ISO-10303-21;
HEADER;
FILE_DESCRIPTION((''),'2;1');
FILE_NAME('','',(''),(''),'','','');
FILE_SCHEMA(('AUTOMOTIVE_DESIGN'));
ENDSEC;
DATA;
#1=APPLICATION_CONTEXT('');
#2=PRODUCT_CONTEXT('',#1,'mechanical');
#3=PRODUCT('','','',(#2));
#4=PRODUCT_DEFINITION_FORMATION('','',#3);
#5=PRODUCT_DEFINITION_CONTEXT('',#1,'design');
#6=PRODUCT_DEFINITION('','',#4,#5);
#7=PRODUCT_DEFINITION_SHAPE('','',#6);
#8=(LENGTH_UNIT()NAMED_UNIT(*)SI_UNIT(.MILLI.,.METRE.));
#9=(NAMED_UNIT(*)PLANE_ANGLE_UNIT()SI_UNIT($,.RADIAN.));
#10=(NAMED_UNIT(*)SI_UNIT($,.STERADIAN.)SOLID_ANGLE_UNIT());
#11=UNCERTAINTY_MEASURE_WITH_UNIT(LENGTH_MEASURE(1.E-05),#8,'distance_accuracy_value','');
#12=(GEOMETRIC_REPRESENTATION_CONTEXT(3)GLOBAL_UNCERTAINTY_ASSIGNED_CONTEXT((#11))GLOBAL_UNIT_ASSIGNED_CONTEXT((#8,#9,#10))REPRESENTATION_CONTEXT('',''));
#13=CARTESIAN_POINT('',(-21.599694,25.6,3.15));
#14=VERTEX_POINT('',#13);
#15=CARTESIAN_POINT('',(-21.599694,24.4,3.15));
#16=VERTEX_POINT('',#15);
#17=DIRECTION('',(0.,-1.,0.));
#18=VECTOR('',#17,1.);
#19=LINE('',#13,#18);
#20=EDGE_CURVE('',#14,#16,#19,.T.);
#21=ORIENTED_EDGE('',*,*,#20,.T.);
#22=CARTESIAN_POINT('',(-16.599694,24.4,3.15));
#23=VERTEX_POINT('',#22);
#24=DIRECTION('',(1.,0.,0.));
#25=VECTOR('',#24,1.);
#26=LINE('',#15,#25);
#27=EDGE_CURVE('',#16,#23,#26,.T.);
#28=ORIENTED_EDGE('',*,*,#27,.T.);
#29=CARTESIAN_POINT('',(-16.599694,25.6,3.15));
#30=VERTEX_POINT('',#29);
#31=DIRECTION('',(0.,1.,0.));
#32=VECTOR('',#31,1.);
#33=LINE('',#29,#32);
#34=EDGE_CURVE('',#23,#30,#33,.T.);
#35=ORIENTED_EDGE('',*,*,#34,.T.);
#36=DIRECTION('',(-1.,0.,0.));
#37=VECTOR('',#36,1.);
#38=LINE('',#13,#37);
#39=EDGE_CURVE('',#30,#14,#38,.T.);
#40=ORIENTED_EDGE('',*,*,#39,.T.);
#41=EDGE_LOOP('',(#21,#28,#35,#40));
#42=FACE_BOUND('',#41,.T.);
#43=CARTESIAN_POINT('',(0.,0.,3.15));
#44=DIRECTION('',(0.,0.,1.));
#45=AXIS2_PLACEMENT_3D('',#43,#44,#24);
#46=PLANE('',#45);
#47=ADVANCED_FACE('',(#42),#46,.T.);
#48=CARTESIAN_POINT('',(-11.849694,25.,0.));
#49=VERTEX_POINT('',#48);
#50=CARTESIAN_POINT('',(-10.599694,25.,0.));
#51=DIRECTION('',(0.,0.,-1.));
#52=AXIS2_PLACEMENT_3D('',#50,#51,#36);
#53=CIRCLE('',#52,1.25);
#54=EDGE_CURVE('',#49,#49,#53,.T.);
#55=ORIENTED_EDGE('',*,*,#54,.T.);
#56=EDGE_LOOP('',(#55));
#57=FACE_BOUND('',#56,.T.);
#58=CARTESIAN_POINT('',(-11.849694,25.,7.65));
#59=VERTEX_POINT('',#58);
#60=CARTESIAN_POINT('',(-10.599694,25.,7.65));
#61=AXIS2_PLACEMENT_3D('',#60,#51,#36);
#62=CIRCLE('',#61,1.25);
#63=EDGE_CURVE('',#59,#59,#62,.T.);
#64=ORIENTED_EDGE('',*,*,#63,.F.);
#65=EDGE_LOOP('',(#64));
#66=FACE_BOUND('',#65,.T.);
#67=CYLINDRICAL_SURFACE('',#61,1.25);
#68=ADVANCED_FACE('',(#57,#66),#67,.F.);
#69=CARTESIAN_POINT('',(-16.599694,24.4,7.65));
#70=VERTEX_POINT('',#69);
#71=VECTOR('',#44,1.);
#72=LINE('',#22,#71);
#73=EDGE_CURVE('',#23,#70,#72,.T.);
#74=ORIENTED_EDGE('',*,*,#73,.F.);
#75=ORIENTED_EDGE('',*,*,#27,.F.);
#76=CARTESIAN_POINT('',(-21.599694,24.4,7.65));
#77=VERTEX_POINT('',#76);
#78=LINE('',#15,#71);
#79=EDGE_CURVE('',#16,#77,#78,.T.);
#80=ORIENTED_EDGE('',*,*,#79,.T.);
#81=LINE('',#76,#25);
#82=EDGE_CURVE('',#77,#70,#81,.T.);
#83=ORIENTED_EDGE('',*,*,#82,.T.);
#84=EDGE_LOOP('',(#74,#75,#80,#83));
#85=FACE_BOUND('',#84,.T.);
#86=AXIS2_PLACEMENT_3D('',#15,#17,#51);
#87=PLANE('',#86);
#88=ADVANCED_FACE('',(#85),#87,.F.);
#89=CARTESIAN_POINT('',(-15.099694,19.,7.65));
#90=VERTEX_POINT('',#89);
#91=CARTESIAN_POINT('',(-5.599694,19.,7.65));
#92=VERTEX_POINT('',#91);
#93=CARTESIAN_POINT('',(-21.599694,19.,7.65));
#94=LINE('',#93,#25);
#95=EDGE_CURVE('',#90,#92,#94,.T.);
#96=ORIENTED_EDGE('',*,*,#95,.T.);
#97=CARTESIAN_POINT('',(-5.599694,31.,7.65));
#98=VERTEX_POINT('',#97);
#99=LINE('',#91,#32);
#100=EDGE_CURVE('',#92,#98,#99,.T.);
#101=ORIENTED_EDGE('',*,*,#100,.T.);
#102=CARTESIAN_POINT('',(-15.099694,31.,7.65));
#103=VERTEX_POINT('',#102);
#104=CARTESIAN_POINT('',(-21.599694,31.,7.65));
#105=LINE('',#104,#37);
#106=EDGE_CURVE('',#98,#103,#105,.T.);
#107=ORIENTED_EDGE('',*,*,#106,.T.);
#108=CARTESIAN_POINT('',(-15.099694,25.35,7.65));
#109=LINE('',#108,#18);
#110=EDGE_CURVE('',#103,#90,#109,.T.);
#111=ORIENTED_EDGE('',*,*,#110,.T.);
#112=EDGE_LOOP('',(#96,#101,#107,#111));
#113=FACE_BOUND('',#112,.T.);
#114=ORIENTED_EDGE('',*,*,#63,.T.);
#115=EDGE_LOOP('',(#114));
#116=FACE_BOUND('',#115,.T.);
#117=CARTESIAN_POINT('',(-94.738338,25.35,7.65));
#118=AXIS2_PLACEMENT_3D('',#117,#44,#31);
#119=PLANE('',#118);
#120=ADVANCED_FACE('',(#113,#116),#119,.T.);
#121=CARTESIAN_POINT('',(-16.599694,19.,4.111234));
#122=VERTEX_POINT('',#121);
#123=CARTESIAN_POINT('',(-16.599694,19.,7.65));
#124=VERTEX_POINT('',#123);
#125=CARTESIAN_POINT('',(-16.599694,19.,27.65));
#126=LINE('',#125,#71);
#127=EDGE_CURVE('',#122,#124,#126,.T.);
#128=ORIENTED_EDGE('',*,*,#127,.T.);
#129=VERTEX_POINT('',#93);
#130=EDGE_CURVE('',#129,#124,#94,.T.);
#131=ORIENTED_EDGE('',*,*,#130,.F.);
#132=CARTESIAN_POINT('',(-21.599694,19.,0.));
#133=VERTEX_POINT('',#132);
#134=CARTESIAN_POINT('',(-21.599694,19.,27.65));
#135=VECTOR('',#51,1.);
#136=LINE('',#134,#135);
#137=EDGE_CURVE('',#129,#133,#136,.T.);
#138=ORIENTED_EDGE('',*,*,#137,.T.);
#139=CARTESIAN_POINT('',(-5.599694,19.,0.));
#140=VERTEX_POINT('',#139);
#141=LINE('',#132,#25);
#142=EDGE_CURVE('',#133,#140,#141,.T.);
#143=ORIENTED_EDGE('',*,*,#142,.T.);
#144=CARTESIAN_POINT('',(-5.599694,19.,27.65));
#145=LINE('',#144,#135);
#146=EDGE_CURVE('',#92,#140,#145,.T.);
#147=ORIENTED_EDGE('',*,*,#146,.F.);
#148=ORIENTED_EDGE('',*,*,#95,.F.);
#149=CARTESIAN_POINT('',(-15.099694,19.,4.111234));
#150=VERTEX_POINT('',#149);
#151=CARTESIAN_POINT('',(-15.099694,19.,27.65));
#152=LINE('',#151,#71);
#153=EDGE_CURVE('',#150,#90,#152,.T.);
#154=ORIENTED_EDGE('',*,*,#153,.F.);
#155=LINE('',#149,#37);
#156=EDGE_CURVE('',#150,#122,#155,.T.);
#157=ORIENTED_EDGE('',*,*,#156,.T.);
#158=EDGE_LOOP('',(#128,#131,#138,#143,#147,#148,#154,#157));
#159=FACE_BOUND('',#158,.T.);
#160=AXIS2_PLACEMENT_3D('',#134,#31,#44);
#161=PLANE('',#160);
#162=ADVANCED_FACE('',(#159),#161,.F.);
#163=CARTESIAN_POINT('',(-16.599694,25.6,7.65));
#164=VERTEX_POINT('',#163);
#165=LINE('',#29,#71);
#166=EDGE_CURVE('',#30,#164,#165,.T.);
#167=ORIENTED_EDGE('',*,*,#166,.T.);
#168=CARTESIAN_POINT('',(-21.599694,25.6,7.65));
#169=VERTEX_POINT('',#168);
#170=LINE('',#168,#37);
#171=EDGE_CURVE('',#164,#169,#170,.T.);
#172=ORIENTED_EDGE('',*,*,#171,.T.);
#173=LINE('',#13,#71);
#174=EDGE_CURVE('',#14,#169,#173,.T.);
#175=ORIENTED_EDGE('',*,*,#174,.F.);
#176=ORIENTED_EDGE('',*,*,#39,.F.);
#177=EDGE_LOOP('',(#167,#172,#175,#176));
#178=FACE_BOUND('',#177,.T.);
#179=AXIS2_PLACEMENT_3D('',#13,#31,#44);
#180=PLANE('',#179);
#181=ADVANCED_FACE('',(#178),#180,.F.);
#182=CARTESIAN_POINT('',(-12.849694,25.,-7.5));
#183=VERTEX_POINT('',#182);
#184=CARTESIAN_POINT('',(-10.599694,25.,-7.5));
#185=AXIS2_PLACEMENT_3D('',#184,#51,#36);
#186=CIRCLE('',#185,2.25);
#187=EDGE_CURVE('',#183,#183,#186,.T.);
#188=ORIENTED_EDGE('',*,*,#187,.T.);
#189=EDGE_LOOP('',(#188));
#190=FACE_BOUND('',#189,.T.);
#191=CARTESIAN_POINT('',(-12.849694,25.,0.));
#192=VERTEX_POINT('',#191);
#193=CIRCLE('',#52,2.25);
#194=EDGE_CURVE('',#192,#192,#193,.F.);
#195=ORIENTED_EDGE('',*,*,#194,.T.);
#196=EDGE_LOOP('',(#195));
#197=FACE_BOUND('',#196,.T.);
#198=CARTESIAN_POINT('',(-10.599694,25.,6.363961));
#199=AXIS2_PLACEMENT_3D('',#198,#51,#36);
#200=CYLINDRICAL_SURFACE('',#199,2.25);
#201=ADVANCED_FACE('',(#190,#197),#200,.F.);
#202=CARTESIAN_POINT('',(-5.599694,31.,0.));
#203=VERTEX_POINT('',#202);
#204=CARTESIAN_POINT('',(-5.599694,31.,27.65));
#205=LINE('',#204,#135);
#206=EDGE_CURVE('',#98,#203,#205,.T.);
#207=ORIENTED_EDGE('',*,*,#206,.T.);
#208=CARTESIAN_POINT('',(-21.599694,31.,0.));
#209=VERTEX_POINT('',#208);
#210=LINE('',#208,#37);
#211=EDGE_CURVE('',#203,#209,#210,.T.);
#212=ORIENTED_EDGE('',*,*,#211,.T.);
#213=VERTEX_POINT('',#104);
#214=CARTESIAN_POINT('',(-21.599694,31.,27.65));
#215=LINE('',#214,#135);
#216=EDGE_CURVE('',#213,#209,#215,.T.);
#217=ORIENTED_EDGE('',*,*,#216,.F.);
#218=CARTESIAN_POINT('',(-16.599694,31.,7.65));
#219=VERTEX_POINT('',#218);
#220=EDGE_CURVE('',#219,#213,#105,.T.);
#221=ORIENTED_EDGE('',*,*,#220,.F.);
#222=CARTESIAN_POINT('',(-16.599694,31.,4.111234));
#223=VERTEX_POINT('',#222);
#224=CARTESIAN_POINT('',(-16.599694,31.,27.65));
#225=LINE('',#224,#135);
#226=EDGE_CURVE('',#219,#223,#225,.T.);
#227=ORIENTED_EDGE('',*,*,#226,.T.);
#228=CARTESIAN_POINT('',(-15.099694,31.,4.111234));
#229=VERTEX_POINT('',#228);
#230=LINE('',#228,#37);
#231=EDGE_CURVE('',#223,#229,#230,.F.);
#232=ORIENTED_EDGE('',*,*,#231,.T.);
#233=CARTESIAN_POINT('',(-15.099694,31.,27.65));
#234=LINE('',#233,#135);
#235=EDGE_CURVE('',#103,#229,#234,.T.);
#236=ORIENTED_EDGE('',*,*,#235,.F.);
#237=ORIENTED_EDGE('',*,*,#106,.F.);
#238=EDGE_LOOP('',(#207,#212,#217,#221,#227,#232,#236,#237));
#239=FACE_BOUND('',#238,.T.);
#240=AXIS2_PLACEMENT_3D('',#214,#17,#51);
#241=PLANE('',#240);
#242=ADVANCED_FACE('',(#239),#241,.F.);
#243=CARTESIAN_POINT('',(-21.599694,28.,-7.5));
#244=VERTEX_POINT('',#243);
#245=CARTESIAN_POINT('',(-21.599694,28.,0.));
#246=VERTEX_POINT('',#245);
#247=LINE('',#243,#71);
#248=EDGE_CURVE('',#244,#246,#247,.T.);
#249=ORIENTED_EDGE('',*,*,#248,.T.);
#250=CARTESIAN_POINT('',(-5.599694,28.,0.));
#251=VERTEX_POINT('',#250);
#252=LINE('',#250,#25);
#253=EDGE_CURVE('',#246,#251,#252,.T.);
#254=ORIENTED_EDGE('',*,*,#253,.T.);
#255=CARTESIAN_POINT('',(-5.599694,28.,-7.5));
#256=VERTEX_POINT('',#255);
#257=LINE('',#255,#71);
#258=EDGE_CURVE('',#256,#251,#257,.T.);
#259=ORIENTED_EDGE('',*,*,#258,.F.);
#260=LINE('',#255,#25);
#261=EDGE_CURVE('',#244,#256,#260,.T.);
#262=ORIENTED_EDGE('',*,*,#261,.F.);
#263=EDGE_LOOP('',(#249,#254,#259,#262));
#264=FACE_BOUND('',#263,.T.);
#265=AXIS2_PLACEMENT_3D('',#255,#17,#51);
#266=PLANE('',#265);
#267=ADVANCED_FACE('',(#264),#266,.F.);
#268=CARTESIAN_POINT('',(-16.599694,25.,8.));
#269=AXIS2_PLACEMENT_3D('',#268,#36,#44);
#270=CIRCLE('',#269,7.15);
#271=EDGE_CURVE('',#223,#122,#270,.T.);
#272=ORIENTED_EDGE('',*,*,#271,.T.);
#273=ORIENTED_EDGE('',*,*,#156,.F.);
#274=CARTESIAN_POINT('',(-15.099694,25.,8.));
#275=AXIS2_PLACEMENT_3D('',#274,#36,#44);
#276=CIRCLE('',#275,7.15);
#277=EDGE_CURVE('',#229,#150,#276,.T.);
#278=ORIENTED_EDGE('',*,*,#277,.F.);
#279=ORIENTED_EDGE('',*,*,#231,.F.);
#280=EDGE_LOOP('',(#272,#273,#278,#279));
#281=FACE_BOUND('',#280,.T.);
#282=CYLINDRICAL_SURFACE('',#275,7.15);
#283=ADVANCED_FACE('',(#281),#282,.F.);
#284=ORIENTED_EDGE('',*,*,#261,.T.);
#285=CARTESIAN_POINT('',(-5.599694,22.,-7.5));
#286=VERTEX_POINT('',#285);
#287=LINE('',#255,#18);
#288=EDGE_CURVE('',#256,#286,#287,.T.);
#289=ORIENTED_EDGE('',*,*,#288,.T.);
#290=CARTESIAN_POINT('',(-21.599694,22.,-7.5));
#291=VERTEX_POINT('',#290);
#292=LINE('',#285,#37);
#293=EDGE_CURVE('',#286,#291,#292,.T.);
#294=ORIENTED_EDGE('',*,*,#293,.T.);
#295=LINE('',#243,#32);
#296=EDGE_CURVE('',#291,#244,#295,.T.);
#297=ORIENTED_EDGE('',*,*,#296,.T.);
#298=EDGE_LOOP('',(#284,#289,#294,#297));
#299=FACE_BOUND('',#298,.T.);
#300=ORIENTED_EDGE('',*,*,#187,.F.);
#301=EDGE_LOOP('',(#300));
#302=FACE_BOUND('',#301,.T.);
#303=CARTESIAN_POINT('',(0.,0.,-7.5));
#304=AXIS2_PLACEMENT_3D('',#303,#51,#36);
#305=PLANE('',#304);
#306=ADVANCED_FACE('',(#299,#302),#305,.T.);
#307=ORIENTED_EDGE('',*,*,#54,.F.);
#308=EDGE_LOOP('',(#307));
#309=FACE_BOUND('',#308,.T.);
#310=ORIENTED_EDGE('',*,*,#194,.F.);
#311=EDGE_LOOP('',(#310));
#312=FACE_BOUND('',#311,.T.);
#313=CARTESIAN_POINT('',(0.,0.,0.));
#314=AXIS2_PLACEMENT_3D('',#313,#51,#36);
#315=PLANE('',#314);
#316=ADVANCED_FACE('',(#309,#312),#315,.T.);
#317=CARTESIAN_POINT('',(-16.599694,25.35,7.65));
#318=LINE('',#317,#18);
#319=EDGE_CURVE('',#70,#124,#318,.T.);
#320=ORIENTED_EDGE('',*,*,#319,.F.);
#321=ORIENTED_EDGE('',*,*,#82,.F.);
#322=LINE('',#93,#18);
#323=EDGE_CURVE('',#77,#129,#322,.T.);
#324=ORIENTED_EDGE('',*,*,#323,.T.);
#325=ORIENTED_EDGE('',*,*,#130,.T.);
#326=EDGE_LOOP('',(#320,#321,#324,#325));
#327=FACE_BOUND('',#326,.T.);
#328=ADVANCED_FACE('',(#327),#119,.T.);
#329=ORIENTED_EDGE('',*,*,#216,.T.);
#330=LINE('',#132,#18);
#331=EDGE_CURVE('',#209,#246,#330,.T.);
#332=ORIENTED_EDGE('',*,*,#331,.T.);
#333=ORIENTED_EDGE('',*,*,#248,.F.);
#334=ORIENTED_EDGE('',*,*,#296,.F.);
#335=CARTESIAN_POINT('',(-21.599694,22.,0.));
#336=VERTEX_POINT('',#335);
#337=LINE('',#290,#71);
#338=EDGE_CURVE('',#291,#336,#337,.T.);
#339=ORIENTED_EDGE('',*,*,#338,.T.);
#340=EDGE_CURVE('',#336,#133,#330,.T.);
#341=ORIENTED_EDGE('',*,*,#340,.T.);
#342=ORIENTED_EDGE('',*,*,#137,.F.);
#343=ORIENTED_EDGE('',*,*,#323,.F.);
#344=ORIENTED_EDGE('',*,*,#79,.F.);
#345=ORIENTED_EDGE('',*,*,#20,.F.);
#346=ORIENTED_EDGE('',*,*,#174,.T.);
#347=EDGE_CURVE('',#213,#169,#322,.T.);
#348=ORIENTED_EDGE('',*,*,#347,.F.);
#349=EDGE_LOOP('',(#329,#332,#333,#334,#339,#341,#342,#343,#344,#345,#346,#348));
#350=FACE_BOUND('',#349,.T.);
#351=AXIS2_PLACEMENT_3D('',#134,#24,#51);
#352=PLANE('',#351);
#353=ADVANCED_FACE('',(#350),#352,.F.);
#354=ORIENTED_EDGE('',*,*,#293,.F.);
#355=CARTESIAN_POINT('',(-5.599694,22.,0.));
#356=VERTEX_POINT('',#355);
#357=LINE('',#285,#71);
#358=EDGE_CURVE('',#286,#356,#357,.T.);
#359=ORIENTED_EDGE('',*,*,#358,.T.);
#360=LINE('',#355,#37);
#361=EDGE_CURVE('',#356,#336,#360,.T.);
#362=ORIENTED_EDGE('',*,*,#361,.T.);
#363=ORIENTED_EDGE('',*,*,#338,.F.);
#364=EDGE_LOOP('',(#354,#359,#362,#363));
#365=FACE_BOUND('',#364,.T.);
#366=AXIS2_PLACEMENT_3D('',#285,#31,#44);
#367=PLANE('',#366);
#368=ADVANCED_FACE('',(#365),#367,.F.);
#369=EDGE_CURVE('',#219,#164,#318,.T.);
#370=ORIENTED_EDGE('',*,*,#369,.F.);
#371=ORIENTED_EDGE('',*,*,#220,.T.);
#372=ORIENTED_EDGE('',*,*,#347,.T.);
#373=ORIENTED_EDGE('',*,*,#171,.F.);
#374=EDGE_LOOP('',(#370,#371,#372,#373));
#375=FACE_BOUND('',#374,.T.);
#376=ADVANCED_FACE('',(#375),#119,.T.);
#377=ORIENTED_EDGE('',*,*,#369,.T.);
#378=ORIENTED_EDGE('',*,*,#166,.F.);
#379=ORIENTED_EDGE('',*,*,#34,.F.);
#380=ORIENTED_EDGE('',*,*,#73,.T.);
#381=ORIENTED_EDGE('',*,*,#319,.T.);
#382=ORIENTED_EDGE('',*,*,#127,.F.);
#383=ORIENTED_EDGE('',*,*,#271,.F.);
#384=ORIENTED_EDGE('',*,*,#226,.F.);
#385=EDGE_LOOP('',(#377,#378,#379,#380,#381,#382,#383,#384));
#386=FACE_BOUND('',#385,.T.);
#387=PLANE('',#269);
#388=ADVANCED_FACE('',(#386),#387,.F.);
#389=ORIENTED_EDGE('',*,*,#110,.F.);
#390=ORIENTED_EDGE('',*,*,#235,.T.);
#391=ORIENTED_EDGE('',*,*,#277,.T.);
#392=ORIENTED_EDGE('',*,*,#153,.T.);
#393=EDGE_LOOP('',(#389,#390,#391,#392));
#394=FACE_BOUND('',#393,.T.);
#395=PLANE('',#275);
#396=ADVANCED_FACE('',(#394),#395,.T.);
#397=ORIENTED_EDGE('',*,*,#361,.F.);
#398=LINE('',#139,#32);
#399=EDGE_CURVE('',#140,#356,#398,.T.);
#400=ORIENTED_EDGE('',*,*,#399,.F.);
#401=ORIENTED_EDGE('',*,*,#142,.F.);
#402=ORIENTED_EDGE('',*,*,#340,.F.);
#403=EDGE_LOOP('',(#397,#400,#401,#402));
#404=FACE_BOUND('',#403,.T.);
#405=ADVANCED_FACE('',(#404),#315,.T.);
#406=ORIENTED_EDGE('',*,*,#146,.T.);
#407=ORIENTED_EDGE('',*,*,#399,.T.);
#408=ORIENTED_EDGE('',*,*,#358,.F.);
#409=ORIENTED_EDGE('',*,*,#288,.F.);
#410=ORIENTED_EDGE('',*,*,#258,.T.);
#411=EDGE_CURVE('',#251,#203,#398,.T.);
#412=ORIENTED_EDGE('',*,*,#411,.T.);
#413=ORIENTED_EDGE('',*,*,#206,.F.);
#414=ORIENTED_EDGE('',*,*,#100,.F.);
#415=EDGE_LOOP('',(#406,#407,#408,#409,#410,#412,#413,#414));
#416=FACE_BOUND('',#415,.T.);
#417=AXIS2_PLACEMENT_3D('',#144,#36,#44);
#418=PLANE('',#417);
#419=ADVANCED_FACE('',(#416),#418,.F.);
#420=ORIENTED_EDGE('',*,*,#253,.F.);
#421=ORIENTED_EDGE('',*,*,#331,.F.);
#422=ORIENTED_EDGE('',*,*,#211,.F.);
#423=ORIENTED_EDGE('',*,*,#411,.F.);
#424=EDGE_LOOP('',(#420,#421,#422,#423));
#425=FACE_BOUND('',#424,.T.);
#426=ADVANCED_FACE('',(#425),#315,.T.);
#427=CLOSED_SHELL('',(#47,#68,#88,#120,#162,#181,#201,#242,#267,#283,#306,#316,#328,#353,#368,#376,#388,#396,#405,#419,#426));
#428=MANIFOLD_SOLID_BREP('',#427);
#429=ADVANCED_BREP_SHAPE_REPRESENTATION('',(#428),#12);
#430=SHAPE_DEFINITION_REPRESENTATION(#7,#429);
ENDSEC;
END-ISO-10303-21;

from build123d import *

# Parameters (mm, degrees)
SKETCH_1_W          = 16
SKETCH_1_H          = 12
EXTRUDE_1_DEPTH     = 7.65
SKETCH_2_W          = 5
SKETCH_2_H          = 1.2
CUT_EXTRUDE_1_DEPTH = 4.5
SKETCH_3_R          = 7.15
CUT_EXTRUDE_2_DEPTH = 1.5
SKETCH_4_W          = 16
SKETCH_4_H          = 6
EXTRUDE_2_DEPTH     = 7.5
SKETCH_5_R          = 2.25
CUT_EXTRUDE_3_DEPTH = 7.5
SKETCH_6_R          = 1.25
CUT_EXTRUDE_4_DEPTH = 8.65


with BuildPart() as part:
    # Эскиз1 → Бобышка-Вытянуть1 (new body)
    with BuildSketch(Plane.XY):
        with Locations((-13.599693696, 25)):
            Rectangle(SKETCH_1_W, SKETCH_1_H)
    extrude(amount=EXTRUDE_1_DEPTH)

    # Эскиз2 → Вырез-Вытянуть1 (cut)
    with BuildSketch(Plane.XY.offset(7.65)):
        with Locations((-19.099693696, 25)):
            Rectangle(SKETCH_2_W, SKETCH_2_H)
    extrude(amount=-CUT_EXTRUDE_1_DEPTH, mode=Mode.SUBTRACT)

    # Эскиз3 → Вырез-Вытянуть2 (cut)
    with BuildSketch(Plane.ZY.offset(16.599693696)):
        with Locations((8, 25)):
            Circle(SKETCH_3_R)
    extrude(amount=-CUT_EXTRUDE_2_DEPTH, mode=Mode.SUBTRACT)

    # Эскиз4 → Бобышка-Вытянуть2 (add)
    with BuildSketch(Plane(origin=(0, 0, 0), x_dir=(-1, 0, 0), z_dir=(0, 0, -1))):
        with Locations((13.599693696, 25)):
            Rectangle(SKETCH_4_W, SKETCH_4_H)
    extrude(amount=EXTRUDE_2_DEPTH)

    # Эскиз5 → Вырез-Вытянуть3 (cut)
    with BuildSketch(Plane(origin=(0, 0, -7.5), x_dir=(-1, 0, 0), z_dir=(0, 0, -1))):
        with Locations((10.599693696, 25)):
            Circle(SKETCH_5_R)
    extrude(amount=-CUT_EXTRUDE_3_DEPTH, mode=Mode.SUBTRACT)

    # Эскиз6 → Вырез-Вытянуть4 (cut, through all)
    with BuildSketch(Plane(origin=(0, 0, 0), x_dir=(-1, 0, 0), z_dir=(0, 0, -1))):
        with Locations((10.599693696, 25)):
            Circle(SKETCH_6_R)
    extrude(amount=-CUT_EXTRUDE_4_DEPTH, mode=Mode.SUBTRACT)


solid = part.part
